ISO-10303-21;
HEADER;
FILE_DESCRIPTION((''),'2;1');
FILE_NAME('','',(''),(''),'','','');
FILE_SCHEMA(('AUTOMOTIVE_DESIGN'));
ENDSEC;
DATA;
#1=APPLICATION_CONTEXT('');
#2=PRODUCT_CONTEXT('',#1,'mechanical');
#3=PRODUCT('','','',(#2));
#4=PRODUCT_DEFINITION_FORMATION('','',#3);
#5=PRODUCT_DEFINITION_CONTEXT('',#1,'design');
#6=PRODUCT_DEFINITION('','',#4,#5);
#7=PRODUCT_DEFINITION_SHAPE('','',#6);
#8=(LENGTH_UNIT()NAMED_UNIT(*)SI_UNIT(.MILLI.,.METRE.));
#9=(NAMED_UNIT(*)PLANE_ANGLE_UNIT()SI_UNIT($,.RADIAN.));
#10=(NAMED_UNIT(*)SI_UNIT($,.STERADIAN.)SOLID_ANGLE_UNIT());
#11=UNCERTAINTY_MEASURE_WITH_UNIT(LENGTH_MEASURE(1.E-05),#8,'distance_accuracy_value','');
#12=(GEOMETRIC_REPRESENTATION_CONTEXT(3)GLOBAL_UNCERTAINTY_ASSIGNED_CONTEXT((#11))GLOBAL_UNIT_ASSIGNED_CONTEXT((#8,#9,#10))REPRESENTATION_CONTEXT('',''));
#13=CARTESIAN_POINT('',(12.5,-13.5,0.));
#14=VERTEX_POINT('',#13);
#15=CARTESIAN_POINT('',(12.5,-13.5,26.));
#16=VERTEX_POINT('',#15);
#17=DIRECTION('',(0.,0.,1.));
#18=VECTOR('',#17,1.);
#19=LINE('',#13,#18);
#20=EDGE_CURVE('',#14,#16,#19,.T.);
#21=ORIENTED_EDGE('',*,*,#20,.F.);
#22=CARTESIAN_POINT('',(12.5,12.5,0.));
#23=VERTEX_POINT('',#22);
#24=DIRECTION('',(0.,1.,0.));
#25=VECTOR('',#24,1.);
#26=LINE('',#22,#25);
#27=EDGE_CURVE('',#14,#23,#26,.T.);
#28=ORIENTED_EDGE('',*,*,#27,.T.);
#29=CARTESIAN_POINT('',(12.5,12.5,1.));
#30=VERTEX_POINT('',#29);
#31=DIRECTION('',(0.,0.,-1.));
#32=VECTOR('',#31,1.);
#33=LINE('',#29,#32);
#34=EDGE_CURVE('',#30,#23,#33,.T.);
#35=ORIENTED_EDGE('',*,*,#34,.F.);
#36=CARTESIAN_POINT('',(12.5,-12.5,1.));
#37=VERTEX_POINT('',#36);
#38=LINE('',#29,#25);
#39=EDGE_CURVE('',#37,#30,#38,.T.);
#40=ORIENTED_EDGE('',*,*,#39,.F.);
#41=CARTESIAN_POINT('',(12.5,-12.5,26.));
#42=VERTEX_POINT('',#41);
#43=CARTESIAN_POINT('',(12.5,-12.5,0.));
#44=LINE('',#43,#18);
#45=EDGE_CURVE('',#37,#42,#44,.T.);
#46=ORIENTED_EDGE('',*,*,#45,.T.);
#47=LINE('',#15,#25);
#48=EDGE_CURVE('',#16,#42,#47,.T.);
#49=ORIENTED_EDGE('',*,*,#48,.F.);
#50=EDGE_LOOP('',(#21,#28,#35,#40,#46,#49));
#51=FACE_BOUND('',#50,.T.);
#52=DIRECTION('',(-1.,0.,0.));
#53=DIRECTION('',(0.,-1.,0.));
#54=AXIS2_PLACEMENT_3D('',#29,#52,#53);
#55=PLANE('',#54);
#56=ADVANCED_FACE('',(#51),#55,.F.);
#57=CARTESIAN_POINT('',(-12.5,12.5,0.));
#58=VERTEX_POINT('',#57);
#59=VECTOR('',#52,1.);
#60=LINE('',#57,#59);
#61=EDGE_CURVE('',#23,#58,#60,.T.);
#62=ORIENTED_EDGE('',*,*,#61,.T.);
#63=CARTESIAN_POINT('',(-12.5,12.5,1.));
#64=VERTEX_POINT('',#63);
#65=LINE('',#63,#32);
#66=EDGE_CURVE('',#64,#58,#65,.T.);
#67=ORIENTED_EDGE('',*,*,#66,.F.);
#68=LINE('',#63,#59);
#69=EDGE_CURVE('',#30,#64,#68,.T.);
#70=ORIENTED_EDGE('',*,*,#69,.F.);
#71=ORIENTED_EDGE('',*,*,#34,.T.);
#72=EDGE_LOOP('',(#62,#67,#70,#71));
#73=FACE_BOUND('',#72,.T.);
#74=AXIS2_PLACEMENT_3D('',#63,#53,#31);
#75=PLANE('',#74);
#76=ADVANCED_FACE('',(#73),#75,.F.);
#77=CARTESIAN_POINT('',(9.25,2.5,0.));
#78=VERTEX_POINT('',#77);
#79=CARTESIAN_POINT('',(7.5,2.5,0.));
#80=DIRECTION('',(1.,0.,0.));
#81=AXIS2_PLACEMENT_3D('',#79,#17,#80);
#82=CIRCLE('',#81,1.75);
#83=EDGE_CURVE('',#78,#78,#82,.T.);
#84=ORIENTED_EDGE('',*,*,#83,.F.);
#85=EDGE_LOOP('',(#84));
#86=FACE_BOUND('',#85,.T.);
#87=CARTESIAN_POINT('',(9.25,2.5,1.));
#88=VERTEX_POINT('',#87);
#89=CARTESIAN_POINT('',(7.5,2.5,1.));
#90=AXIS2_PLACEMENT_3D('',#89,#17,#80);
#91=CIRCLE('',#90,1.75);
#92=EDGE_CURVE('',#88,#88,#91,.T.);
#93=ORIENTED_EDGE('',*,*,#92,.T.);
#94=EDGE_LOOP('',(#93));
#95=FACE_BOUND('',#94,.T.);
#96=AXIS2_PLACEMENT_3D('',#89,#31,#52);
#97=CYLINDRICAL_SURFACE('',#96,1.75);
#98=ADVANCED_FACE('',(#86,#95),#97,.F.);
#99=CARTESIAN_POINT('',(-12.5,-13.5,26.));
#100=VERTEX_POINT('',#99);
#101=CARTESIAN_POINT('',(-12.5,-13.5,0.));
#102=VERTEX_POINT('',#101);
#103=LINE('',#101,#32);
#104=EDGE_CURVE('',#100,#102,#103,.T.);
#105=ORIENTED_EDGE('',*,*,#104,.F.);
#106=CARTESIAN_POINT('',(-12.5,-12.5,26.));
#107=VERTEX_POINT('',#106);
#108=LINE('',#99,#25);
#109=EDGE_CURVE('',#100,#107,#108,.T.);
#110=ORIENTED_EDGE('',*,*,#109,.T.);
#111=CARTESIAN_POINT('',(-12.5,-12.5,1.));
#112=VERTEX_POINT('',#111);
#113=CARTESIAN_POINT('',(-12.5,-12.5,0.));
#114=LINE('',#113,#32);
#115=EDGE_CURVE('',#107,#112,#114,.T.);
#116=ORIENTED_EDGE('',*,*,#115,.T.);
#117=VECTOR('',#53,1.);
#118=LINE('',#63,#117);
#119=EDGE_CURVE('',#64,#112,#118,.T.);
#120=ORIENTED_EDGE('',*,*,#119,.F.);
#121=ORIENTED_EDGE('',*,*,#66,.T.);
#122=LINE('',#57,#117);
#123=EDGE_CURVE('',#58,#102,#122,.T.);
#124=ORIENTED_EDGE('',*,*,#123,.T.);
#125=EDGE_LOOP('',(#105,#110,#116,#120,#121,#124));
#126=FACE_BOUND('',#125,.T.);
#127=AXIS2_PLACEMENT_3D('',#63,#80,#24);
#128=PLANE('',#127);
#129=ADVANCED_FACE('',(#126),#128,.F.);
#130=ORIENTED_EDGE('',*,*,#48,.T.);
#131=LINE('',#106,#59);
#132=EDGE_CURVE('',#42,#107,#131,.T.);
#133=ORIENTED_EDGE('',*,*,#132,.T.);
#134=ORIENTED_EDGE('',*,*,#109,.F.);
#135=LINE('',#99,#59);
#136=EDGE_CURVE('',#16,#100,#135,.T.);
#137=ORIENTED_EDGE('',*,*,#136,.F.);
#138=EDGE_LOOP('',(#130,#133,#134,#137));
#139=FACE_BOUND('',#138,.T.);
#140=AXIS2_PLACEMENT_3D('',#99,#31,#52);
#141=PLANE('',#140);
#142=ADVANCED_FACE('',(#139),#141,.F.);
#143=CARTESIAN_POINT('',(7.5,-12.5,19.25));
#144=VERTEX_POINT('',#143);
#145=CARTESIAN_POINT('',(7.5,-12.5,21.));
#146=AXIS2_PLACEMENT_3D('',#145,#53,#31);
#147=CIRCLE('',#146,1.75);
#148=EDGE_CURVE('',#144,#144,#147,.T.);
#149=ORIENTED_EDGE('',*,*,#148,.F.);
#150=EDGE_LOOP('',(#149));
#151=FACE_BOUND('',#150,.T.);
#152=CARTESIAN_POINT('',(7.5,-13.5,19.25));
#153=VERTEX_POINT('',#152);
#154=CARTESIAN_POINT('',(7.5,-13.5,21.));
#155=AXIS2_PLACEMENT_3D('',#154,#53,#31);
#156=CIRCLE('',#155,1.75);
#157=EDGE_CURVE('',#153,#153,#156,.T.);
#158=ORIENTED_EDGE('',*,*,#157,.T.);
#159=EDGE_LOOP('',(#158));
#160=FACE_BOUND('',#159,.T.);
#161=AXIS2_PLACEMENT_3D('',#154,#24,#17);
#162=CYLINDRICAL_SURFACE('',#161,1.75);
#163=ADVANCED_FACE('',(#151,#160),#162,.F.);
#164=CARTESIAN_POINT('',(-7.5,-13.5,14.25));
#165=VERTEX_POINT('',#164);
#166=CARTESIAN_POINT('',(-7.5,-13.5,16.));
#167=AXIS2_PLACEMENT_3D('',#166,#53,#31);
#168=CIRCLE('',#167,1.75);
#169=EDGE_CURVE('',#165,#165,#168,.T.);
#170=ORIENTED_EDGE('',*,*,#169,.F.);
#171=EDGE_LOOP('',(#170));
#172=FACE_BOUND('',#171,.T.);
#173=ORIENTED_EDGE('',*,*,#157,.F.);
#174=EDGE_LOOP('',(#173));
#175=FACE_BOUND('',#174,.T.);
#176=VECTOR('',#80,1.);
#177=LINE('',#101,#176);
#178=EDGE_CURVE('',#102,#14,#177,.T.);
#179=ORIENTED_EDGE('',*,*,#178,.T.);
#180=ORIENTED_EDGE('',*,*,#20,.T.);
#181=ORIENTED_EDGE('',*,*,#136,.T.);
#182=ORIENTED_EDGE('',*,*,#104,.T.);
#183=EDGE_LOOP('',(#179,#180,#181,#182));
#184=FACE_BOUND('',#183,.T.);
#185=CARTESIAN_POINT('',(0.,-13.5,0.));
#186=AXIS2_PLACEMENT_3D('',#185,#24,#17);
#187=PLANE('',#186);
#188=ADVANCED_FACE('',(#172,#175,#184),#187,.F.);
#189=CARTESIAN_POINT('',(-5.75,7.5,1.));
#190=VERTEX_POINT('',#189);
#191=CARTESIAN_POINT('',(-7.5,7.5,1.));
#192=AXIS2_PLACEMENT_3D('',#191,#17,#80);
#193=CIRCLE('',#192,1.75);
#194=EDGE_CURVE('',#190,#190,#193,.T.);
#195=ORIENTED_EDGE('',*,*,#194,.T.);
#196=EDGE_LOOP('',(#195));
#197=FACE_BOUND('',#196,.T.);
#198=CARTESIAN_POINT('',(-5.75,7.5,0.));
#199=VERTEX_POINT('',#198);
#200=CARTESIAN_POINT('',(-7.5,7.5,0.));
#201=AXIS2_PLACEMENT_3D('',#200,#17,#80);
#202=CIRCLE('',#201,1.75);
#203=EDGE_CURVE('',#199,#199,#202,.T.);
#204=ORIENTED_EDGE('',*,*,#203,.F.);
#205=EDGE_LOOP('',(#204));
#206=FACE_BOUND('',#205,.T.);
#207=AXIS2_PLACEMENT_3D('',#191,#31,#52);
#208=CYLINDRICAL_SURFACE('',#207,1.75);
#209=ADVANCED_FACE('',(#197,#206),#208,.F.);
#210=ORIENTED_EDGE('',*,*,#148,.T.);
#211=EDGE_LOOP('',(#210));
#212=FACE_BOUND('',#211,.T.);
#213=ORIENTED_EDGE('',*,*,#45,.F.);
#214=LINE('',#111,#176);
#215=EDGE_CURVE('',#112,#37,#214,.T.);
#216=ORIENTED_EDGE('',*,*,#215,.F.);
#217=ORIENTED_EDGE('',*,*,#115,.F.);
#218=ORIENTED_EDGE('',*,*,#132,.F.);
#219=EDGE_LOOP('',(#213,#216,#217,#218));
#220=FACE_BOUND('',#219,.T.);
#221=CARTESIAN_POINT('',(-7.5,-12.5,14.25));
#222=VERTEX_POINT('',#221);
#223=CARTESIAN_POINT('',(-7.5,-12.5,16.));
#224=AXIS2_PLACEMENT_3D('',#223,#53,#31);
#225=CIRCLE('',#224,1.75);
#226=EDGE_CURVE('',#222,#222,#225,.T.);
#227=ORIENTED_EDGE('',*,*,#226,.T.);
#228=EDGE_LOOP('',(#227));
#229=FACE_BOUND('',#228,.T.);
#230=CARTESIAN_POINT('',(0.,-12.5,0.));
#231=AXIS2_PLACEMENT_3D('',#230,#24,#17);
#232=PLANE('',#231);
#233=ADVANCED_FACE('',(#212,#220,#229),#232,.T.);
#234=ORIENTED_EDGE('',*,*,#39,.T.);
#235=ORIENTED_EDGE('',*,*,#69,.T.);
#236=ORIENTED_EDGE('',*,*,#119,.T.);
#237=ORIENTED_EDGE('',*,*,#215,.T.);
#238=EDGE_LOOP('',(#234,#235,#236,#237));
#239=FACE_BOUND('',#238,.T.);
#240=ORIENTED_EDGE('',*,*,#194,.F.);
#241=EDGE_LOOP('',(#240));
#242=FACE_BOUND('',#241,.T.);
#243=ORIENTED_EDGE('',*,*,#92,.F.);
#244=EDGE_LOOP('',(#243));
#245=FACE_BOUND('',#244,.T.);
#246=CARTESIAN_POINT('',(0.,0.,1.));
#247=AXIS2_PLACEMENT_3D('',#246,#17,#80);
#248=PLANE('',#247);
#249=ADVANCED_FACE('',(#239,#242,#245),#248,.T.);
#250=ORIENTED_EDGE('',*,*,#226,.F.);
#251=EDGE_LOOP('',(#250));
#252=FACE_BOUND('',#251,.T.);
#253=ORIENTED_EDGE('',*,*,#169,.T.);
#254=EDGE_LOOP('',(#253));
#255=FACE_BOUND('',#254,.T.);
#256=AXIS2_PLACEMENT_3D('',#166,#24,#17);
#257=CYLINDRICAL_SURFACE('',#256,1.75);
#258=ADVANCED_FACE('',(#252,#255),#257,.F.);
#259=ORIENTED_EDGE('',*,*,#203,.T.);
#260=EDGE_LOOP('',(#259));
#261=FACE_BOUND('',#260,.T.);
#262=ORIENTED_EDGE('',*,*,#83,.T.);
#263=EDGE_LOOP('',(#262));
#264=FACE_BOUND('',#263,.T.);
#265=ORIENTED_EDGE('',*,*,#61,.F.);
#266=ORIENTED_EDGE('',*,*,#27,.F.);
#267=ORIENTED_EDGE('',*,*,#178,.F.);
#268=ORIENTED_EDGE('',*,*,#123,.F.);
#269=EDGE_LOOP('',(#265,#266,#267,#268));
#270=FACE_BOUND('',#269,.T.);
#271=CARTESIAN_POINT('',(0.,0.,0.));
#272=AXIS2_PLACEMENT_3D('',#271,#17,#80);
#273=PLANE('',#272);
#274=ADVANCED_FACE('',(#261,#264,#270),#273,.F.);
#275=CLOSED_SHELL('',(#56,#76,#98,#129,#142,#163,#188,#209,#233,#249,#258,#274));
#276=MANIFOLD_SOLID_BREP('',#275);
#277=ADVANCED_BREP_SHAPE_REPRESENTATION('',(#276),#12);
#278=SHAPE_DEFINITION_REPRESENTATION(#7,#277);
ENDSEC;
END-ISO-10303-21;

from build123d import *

# Parameters (mm, degrees)
SKETCH1_W           = 25
SKETCH1_H           = 25
SKETCH1_R           = 1.75
BOSS_EXTRUDE2_DEPTH = 1
SKETCH4_W           = 25
SKETCH4_H           = 26
SKETCH4_R           = 1.75
BOSS_EXTRUDE3_DEPTH = 1


with BuildPart() as part:
    # Sketch1 → Boss-Extrude2 (new body)
    with BuildSketch(Plane.XY):
        Rectangle(SKETCH1_W, SKETCH1_H)
        with Locations((7.5, 2.5)):
            Circle(SKETCH1_R, mode=Mode.SUBTRACT)
        with Locations((-7.5, 7.5)):
            Circle(SKETCH1_R, mode=Mode.SUBTRACT)
    extrude(amount=BOSS_EXTRUDE2_DEPTH)

    # Sketch4 → Boss-Extrude3 (add)
    with BuildSketch(Plane.XZ.offset(12.5)):
        with Locations((0, 13)):
            Rectangle(SKETCH4_W, SKETCH4_H)
        with Locations((7.5, 21)):
            Circle(SKETCH4_R, mode=Mode.SUBTRACT)
        with Locations((-7.5, 16)):
            Circle(SKETCH4_R, mode=Mode.SUBTRACT)
    extrude(amount=BOSS_EXTRUDE3_DEPTH)


solid = part.part
